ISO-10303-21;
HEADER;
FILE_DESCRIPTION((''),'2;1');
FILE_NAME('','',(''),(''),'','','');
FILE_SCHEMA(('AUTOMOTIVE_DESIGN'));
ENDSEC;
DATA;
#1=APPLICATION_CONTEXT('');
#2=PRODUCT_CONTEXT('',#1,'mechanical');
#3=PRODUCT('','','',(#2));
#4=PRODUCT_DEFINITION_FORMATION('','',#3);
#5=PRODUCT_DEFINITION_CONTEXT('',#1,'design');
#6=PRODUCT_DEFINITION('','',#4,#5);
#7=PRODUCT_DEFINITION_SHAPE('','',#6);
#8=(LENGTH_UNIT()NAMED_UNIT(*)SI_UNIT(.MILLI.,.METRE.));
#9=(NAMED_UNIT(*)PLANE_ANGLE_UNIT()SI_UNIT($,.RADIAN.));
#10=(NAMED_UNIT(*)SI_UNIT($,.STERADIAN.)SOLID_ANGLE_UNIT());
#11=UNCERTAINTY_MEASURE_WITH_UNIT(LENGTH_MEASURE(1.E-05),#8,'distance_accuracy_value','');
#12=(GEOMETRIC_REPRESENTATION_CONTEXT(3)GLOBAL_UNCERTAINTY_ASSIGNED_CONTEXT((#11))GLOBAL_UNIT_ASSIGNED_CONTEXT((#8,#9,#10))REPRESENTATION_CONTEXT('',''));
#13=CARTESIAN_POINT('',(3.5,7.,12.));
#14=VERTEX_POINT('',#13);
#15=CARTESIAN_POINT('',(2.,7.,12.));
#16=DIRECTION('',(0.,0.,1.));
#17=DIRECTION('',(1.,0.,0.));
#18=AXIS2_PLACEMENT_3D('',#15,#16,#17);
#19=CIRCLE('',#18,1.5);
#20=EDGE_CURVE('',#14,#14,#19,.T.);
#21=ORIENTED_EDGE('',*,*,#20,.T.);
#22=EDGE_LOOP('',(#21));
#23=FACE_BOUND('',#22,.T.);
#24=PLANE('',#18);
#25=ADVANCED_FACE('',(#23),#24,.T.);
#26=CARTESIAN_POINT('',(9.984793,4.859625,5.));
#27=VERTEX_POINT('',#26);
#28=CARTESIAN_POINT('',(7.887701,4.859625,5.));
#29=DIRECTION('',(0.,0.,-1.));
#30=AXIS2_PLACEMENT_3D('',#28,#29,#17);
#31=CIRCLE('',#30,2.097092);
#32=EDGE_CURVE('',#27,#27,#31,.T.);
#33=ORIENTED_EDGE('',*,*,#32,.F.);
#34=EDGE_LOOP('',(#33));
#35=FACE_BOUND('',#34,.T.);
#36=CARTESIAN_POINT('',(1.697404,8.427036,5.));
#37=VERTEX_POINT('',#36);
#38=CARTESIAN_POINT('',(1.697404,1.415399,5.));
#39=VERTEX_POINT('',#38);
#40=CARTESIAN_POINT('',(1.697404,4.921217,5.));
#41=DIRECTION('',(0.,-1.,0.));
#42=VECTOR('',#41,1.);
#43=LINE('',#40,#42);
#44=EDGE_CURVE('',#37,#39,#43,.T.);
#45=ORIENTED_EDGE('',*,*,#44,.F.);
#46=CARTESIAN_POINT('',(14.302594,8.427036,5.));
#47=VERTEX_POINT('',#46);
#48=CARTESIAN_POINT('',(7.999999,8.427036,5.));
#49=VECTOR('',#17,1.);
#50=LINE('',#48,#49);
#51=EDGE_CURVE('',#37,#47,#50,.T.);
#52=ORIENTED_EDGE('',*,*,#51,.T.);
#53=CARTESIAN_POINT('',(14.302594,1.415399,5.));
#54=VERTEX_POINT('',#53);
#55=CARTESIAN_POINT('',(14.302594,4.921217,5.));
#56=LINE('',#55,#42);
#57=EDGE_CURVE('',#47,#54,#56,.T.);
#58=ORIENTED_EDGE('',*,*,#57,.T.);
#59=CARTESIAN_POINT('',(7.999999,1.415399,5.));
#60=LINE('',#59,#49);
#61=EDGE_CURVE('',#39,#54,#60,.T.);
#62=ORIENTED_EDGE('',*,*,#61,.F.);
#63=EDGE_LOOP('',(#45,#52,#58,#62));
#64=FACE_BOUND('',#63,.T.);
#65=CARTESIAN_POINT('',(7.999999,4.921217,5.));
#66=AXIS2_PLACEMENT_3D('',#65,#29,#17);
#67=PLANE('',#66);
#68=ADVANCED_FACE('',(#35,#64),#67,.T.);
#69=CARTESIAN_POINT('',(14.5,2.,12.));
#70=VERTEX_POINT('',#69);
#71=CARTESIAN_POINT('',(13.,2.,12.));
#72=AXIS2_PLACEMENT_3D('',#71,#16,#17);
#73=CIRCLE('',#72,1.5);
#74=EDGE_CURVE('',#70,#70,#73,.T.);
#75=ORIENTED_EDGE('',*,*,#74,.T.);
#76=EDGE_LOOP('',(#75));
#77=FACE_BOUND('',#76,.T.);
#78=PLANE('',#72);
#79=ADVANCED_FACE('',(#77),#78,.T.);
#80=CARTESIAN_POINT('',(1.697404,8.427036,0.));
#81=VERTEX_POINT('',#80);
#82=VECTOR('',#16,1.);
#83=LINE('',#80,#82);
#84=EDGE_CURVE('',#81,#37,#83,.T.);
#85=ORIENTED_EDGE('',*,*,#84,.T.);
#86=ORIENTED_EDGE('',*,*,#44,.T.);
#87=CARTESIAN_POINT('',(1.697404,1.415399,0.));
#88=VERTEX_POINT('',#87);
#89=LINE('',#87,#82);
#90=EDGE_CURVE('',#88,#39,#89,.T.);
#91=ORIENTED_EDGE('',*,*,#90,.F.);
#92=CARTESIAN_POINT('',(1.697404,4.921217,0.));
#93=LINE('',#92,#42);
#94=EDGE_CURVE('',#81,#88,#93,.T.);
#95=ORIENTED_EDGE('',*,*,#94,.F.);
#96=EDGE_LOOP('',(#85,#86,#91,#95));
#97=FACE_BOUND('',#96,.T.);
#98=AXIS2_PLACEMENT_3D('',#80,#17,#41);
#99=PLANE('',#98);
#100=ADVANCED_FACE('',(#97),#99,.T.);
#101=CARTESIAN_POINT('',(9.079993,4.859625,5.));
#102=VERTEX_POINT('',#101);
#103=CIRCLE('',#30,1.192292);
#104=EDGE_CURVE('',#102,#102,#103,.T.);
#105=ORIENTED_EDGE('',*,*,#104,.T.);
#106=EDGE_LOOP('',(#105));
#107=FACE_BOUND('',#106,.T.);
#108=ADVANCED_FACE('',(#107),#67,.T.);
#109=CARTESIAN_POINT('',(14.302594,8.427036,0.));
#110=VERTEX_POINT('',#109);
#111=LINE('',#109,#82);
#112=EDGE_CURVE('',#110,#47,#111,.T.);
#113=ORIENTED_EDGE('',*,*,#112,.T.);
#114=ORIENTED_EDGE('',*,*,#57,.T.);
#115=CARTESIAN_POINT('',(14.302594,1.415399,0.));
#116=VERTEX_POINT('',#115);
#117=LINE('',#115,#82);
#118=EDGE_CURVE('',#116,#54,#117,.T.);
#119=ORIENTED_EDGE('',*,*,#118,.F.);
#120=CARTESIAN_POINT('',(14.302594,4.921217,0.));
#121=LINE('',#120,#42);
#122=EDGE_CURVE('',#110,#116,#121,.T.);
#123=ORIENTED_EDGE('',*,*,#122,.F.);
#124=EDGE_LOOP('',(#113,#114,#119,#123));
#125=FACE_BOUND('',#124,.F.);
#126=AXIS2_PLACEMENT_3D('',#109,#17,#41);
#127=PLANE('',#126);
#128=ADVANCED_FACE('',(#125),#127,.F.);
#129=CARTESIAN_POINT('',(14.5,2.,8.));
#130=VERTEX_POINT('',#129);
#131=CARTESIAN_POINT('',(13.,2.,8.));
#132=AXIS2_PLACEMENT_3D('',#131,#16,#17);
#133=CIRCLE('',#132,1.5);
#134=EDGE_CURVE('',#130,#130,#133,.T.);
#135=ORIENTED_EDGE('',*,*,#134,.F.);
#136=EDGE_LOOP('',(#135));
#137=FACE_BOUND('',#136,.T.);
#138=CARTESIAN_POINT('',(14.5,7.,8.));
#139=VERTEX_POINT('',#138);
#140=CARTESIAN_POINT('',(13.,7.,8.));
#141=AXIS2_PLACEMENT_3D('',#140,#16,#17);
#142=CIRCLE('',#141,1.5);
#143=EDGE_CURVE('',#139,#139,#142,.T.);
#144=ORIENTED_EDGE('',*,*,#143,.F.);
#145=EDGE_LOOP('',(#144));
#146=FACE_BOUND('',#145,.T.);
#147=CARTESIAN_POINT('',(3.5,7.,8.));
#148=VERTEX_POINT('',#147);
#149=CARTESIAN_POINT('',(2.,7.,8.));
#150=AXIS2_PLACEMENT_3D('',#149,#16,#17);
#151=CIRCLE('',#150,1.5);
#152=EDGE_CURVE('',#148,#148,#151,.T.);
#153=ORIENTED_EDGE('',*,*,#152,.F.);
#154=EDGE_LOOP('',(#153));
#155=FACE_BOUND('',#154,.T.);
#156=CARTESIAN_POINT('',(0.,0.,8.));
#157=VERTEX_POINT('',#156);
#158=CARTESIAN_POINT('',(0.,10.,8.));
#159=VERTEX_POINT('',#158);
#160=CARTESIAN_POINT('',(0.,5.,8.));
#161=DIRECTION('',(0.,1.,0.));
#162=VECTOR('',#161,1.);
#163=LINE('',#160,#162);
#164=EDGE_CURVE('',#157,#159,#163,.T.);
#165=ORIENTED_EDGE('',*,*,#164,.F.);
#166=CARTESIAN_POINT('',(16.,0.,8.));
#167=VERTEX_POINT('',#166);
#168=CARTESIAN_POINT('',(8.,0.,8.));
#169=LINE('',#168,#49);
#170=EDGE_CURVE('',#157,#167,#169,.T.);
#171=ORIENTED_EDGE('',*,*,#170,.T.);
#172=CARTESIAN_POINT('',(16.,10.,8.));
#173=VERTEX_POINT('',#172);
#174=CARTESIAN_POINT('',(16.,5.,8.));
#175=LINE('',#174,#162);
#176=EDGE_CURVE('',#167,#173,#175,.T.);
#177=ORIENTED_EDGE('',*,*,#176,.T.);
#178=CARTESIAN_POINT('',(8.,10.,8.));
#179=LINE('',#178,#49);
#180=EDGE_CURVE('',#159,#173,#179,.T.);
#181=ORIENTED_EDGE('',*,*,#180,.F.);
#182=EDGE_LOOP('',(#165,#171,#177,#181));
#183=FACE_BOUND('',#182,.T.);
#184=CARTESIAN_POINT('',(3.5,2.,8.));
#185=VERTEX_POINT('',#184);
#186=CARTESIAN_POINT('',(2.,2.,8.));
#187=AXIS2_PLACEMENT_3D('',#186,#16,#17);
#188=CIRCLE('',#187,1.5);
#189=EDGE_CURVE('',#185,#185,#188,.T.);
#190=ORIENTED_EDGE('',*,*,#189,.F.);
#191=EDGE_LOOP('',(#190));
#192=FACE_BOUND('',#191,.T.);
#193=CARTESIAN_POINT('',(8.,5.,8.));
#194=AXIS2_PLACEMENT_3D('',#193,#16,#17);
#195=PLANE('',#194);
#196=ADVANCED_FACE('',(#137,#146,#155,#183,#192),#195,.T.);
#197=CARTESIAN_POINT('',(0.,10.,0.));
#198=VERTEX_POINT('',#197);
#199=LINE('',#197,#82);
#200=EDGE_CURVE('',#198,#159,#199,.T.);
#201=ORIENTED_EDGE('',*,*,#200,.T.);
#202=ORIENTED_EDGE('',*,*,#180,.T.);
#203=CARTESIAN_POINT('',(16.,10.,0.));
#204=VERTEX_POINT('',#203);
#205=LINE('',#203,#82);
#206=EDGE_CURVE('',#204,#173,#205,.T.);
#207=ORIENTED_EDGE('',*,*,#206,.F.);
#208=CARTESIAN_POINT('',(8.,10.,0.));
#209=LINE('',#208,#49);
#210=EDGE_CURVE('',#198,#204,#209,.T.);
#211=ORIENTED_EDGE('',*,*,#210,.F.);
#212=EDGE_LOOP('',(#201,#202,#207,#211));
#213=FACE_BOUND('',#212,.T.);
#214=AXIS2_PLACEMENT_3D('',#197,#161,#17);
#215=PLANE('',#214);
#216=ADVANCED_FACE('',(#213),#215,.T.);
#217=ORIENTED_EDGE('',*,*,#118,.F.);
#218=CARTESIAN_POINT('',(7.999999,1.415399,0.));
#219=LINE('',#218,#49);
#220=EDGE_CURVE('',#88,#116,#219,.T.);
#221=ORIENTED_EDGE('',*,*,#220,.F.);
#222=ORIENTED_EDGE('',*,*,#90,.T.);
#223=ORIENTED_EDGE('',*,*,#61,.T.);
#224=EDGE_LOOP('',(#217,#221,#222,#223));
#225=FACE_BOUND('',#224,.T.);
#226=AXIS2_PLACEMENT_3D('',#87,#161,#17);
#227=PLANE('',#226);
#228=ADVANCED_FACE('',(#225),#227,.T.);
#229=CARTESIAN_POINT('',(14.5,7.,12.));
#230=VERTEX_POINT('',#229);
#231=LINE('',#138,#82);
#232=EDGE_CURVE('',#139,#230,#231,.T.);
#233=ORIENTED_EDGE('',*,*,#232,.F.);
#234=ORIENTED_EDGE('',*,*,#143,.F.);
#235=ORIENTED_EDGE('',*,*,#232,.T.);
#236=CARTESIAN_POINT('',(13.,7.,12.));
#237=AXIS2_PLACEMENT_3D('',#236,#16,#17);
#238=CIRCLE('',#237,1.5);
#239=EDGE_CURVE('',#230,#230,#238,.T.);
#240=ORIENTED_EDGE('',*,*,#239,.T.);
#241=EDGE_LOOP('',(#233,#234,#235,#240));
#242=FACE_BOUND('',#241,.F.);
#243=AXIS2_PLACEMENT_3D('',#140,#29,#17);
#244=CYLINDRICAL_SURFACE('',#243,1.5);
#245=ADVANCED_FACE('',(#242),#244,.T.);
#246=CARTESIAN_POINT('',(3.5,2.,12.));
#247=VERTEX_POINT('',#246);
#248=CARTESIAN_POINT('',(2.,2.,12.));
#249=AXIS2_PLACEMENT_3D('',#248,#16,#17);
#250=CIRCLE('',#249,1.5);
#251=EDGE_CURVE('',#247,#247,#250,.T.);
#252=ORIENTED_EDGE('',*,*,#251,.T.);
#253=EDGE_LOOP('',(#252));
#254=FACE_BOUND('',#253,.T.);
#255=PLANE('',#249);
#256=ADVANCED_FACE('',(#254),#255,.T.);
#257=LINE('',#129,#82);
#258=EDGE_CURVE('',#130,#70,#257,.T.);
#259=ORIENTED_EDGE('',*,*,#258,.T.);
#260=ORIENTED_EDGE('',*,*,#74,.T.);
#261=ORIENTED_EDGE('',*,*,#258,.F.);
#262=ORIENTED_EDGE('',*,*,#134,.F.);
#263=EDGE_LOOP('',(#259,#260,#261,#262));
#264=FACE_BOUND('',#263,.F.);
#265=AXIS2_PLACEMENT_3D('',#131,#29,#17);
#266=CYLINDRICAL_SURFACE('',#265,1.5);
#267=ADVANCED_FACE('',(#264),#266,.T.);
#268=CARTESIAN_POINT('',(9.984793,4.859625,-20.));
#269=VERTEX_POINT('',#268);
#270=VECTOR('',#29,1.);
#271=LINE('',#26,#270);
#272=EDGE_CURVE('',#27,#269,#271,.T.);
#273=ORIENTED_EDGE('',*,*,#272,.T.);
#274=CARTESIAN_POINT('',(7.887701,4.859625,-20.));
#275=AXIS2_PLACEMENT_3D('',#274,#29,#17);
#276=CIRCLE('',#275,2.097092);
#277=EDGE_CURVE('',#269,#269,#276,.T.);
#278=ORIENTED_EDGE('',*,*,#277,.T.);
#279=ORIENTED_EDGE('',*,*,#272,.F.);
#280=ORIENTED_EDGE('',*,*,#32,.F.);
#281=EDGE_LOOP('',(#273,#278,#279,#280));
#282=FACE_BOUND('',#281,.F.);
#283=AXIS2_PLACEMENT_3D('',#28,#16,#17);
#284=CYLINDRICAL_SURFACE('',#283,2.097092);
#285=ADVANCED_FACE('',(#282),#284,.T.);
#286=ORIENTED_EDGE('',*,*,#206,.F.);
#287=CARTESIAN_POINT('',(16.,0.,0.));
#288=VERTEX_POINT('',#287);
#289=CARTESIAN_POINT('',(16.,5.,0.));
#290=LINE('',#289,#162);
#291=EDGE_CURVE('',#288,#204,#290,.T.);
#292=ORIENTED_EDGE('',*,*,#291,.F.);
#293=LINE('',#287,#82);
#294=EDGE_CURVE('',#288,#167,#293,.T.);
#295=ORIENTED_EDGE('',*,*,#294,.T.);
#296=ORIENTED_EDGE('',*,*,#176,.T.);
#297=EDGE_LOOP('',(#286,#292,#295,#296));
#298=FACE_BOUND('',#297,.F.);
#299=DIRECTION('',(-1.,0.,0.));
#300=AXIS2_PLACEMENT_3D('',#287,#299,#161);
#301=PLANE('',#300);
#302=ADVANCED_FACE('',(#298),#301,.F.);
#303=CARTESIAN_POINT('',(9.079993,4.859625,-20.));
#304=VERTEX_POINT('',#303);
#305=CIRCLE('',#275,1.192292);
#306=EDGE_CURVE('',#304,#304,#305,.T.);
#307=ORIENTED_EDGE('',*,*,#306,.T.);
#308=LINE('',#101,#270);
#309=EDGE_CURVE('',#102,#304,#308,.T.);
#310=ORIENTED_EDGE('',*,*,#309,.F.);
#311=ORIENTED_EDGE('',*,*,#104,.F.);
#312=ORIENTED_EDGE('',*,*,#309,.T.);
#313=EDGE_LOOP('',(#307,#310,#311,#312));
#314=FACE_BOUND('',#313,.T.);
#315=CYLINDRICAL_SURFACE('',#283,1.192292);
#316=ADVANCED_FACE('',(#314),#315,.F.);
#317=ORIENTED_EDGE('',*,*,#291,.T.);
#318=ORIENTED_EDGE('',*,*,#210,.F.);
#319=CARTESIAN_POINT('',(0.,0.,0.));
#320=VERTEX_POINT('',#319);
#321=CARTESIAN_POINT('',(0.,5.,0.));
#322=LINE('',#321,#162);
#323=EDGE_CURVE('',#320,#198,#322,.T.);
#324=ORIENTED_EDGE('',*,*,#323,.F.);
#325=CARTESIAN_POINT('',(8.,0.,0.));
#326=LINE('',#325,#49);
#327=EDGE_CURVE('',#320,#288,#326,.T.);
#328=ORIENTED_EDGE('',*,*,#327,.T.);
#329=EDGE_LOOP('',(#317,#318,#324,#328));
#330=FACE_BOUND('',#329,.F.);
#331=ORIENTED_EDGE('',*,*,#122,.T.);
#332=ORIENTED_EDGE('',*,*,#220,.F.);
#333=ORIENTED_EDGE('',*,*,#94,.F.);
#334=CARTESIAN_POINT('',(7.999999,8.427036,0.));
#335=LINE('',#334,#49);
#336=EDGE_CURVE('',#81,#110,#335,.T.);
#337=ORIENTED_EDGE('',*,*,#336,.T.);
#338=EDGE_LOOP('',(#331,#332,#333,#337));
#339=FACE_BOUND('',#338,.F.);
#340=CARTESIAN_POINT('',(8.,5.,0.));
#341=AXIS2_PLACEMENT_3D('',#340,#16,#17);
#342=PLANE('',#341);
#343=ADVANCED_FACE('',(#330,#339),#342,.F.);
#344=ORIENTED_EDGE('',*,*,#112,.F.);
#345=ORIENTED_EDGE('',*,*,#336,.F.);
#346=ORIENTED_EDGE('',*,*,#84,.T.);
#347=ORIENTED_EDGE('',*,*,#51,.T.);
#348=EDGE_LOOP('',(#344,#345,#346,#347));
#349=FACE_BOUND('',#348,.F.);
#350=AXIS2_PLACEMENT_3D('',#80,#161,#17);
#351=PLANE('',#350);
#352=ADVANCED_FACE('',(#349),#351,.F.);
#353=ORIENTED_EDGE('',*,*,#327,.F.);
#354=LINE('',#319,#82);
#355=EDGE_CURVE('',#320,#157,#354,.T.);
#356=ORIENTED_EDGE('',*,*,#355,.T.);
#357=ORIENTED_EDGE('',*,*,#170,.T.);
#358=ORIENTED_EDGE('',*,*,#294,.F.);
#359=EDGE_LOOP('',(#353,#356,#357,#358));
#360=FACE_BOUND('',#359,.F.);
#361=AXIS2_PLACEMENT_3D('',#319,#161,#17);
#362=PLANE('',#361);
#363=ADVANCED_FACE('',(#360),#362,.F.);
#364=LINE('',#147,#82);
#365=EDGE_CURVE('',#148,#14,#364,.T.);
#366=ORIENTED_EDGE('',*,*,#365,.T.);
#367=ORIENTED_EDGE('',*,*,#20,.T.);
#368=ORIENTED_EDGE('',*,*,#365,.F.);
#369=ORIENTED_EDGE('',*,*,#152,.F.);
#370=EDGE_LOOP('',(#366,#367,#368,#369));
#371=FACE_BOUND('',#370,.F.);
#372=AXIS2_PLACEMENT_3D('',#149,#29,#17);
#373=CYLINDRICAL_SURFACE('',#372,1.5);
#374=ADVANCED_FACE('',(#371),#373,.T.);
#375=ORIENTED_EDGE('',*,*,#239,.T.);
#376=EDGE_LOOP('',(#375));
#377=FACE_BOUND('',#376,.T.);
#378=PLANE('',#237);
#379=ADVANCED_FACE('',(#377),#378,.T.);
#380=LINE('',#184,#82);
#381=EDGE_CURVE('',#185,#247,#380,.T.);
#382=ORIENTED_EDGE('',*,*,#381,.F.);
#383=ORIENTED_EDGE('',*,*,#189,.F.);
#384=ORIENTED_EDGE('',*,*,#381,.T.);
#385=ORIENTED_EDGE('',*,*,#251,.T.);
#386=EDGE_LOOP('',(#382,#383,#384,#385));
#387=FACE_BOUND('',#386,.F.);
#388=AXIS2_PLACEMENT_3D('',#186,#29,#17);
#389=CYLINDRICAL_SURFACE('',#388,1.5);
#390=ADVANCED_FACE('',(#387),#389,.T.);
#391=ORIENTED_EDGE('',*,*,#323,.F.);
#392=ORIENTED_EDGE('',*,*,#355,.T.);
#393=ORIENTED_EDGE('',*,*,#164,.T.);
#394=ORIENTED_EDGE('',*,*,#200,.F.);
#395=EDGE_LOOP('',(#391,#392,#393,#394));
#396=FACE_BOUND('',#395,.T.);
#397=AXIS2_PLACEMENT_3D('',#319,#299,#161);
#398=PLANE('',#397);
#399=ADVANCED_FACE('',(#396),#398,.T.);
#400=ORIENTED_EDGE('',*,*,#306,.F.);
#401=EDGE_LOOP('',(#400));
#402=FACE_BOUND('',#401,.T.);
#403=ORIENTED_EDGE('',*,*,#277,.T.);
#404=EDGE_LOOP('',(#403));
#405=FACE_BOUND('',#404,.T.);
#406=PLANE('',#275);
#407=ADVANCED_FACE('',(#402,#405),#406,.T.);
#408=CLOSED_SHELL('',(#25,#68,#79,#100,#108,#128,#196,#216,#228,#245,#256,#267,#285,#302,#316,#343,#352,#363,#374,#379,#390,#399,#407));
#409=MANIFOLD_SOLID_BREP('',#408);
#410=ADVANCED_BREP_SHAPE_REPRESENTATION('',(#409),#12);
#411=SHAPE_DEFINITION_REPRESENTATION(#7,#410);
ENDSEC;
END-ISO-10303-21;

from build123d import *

# Parameters (mm, degrees)
F0_W     = 16
F0_H     = 10
F1_DEPTH = 8
F2_R     = 1.5
F3_DEPTH = 4
F4_W     = 12.605189
F4_H     = 7.011637
F5_DEPTH = 5
F6_R     = 2.097092
F6_R_2   = 1.192292
F7_DEPTH = 25


with BuildPart() as f1:
    # F0 (on Top) → F1 (new body)
    with BuildSketch(Plane.XY):
        with Locations((8, 5)):
            Rectangle(F0_W, F0_H)
    extrude(amount=F1_DEPTH)

    # F2 (on face) → F3 (join)
    with BuildSketch(Plane.XY.offset(8)):
        with Locations((2, 2)):
            Circle(F2_R)
        with Locations((13, 2)):
            Circle(F2_R)
        with Locations((13, 7)):
            Circle(F2_R)
        with Locations((2, 7)):
            Circle(F2_R)
    extrude(amount=F3_DEPTH)

    # F4 (on face) → F5 (cut)
    with BuildSketch(Plane(origin=(0, 0, 0), x_dir=(1, 0, 0), z_dir=(0, 0, -1))):
        with Locations((7.999999, -4.921217)):
            Rectangle(F4_W, F4_H)
    extrude(amount=-F5_DEPTH, mode=Mode.SUBTRACT)

    # F6 (on face) → F7 (join)
    with BuildSketch(Plane(origin=(0, 0, 5), x_dir=(1, 0, 0), z_dir=(0, 0, -1))):
        with Locations((7.887701, -4.859625)):
            Circle(F6_R)
        with Locations((7.887701, -4.859625)):
            Circle(F6_R_2, mode=Mode.SUBTRACT)
    extrude(amount=F7_DEPTH)


solid = f1.part
